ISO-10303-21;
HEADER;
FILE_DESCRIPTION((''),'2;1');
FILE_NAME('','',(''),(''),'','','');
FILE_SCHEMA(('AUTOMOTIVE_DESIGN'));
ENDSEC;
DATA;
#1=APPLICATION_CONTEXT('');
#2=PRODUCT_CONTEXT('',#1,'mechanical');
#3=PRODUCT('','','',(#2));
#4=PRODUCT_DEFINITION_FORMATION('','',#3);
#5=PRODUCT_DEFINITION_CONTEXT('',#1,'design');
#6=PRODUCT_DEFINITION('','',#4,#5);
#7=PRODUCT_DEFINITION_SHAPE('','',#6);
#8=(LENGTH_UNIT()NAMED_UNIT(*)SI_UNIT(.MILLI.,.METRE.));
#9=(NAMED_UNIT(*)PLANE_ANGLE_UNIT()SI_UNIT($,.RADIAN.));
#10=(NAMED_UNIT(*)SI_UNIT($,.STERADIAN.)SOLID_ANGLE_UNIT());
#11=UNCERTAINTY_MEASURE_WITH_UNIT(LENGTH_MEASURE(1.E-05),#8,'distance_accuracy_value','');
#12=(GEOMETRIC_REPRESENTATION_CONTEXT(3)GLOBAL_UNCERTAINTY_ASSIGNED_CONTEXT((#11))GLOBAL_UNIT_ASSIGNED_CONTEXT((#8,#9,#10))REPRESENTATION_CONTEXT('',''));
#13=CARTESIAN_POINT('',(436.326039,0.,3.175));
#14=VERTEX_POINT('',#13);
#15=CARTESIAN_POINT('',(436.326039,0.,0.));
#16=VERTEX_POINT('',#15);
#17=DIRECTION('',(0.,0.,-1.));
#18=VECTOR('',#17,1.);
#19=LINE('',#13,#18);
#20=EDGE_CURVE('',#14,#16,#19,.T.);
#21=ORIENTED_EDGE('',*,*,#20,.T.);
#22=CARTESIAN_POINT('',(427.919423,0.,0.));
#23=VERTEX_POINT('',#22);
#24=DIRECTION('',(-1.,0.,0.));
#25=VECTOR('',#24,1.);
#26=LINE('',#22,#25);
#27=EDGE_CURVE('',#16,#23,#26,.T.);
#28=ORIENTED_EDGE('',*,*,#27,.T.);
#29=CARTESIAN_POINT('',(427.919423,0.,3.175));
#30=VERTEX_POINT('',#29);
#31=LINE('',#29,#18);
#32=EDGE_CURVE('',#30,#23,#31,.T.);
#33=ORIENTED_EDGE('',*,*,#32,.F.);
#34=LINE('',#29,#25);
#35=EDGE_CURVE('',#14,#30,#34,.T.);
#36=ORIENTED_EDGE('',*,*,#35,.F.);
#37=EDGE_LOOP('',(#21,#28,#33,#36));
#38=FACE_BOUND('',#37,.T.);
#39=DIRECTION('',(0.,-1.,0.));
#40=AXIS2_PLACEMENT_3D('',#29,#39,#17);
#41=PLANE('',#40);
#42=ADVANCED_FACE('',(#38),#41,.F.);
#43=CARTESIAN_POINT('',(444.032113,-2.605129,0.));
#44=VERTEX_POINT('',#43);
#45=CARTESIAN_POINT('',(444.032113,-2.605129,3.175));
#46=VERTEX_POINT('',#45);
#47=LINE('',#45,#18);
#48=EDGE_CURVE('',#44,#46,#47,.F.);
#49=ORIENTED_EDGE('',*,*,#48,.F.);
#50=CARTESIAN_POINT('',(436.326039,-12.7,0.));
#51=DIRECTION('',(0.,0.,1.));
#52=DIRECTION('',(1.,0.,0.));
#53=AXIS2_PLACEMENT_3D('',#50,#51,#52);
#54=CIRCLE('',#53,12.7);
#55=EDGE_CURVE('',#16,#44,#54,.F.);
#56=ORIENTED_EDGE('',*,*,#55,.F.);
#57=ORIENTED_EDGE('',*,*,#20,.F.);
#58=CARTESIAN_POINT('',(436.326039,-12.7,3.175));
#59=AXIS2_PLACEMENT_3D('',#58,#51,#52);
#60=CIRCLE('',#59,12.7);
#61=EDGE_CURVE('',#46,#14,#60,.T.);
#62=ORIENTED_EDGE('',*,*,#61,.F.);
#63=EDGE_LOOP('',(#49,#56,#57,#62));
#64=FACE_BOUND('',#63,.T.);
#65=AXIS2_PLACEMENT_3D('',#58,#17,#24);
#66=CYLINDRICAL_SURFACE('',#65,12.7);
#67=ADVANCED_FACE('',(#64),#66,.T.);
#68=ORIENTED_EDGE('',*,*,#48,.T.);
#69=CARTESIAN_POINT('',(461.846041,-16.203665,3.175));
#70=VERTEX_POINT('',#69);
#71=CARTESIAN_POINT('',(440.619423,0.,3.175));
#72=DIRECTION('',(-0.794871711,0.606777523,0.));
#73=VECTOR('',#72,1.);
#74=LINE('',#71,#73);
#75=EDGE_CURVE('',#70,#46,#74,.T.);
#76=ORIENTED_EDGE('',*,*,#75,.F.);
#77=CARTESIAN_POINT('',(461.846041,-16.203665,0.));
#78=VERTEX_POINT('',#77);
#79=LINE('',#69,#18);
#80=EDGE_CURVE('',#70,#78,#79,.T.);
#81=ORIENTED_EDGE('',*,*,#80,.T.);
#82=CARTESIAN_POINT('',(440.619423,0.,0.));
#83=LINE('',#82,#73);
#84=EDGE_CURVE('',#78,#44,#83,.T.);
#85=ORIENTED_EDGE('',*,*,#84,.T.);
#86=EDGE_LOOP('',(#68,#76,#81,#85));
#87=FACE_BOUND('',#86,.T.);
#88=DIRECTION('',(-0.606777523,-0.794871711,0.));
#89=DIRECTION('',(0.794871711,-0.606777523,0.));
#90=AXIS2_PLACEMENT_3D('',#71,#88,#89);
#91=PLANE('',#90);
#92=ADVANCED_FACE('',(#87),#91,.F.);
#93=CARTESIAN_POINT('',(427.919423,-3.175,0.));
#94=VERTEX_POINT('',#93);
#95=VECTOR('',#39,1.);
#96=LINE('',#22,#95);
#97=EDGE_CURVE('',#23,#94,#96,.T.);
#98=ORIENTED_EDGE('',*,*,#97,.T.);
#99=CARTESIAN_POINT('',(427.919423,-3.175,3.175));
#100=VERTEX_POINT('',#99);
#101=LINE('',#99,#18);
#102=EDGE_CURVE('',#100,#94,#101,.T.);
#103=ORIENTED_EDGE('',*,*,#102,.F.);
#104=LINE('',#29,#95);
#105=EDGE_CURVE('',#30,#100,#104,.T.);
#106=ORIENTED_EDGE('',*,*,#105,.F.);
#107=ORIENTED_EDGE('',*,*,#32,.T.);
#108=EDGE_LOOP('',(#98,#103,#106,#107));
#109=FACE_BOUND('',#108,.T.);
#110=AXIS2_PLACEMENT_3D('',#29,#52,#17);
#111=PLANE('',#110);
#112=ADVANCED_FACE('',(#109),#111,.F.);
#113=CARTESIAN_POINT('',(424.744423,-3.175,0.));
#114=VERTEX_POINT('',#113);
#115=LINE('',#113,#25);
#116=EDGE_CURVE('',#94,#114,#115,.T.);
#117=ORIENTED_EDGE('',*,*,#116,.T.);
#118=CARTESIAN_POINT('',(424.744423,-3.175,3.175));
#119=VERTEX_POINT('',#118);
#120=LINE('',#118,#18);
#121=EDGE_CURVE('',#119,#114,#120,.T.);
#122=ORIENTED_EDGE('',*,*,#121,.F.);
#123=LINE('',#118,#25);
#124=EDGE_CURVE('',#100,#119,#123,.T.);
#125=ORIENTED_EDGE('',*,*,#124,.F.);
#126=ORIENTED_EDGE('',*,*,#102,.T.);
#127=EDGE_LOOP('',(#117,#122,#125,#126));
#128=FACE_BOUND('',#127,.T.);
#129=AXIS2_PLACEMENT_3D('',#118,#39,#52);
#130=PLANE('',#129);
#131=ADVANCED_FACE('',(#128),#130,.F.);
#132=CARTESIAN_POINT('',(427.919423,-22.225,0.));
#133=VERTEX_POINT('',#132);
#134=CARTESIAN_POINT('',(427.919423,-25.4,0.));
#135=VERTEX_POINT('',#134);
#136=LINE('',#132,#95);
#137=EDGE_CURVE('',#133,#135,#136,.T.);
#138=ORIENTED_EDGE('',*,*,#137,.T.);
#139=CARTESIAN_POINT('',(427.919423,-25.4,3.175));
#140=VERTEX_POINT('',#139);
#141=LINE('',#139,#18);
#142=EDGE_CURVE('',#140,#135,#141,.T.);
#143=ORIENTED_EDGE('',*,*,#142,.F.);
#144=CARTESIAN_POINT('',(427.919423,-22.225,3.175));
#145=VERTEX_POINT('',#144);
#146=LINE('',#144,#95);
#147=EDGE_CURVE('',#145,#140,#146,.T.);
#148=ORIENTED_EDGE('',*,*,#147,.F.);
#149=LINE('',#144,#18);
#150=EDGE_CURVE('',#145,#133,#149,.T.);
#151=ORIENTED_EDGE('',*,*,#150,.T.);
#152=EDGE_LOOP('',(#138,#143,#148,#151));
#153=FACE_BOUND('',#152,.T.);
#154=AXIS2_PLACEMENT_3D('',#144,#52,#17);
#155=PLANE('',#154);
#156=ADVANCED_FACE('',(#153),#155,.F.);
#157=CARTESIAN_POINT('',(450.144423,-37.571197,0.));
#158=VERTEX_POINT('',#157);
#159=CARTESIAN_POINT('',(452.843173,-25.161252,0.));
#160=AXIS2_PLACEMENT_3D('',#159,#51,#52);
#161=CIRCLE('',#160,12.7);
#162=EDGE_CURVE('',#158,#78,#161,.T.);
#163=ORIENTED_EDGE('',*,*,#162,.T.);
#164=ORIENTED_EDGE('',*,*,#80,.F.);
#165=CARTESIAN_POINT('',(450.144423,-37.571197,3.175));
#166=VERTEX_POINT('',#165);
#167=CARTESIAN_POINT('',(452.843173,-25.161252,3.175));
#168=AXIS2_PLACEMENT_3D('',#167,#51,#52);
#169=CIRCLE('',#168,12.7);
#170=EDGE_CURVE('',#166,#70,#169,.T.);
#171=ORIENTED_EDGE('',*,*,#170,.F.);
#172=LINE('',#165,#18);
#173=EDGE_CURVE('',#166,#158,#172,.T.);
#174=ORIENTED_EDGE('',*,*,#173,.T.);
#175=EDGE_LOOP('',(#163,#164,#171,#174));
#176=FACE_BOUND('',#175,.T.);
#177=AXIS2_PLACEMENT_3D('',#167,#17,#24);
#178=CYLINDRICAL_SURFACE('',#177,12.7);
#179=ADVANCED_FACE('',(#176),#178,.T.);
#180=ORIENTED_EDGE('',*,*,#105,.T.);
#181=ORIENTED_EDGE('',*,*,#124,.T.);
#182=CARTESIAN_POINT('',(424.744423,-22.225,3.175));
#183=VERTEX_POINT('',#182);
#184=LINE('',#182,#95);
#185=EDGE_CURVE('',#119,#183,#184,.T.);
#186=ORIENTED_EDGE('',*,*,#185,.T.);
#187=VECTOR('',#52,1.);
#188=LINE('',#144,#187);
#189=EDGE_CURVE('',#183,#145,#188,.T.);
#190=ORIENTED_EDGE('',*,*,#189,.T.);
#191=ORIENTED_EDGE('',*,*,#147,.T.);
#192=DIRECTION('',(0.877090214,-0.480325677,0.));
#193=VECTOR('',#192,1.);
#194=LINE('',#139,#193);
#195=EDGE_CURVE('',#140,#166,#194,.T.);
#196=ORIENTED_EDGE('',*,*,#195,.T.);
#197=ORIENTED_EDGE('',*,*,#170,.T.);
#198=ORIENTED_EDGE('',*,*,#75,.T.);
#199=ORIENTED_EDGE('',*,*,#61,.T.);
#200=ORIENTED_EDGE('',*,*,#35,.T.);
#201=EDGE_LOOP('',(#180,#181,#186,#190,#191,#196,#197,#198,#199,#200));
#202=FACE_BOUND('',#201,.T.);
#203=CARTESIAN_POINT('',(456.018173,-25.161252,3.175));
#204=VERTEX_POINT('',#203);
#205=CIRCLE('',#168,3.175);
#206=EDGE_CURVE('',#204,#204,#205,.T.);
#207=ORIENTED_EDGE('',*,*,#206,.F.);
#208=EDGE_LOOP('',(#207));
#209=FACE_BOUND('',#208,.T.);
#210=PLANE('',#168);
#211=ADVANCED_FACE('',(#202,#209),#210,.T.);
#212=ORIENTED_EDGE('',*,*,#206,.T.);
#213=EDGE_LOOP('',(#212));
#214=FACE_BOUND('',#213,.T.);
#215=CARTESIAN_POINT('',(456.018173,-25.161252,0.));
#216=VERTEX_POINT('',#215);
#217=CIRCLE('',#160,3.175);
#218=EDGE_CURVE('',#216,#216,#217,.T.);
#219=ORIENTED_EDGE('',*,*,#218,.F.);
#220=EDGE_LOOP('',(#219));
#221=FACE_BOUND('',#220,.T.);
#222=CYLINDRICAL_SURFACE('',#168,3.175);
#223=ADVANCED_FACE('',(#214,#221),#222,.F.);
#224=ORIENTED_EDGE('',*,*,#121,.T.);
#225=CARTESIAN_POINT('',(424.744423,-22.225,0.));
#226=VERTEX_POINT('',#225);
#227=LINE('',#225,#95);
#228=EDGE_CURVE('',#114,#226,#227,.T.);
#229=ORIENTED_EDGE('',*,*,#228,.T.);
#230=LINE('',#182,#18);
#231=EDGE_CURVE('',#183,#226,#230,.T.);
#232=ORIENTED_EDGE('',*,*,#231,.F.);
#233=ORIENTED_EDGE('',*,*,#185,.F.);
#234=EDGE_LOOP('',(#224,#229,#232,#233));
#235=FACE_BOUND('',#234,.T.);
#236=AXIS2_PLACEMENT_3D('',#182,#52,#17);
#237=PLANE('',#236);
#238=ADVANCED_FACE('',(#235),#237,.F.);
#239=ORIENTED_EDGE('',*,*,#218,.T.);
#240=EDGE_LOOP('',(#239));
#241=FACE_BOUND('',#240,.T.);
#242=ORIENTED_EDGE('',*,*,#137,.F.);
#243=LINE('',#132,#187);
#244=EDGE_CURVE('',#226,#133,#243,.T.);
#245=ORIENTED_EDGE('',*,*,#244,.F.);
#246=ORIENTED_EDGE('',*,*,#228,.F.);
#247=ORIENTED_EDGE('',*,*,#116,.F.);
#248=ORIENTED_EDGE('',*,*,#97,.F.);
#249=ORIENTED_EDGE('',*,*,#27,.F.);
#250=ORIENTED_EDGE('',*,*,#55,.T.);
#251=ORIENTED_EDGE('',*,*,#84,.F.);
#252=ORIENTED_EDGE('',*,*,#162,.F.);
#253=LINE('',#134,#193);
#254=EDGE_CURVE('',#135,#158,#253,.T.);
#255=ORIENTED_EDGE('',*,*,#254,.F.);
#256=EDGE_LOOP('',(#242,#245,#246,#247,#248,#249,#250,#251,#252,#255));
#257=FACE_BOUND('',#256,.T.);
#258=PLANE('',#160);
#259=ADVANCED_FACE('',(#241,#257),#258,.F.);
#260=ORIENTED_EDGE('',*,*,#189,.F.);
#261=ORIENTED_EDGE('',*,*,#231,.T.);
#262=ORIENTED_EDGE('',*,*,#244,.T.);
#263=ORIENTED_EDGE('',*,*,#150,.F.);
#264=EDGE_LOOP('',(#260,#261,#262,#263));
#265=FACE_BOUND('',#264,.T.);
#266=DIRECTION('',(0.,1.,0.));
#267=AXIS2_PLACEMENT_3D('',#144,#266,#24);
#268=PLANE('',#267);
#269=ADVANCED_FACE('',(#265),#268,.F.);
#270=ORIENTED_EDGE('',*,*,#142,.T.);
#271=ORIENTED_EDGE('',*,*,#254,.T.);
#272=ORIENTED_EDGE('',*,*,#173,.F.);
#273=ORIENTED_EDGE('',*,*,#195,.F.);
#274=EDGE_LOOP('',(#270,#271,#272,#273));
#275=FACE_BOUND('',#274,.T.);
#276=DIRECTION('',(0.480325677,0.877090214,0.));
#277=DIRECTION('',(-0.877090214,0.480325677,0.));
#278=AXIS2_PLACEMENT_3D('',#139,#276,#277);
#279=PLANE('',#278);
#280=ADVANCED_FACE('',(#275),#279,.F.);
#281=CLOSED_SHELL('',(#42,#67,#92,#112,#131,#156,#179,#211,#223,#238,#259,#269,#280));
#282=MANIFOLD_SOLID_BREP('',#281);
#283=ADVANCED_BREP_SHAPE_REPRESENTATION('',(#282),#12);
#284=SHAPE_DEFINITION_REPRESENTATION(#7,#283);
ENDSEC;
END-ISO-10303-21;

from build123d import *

# Parameters (mm, degrees)
BOSS_EXTRUDE1_DEPTH             = 3.175
F_1_4_0_25_DIAMETER_HOLE1_D     = 6.35
F_1_4_0_25_DIAMETER_HOLE1_DEPTH = 9.268267535
F_1_4_0_25_DIAMETER_HOLE1_TIP   = 1.907732465
FILLET1_R                       = 12.7


with BuildPart() as part:
    # Sketch1 → Boss-Extrude1 (new body)
    with BuildSketch(Plane.XY):
        with BuildLine():
            Line((427.919423357, 0), (440.619423357, 0))
            Line((440.619423357, 0), (461.846041333, -16.2036647))
            ThreePointArc((461.846041333, -16.2036647), (463.98221908, -31.261387982), (450.144423357, -37.571197432))
            Line((450.144423357, -37.571197432), (427.919423357, -25.4))
            Line((427.919423357, -25.4), (427.919423357, -22.225))
            Line((427.919423357, -22.225), (424.744423357, -22.225))
            Line((424.744423357, -22.225), (424.744423357, -3.175))
            Line((424.744423357, -3.175), (427.919423357, -3.175))
            Line((427.919423357, -3.175), (427.919423357, 0))
        make_face()
    extrude(amount=BOSS_EXTRUDE1_DEPTH)

    # 1/4 (0.25) Diameter Hole1
    with Locations(Plane.XY.offset(3.175)):
        with Locations((452.843173357, -25.161251887)):
            Hole(F_1_4_0_25_DIAMETER_HOLE1_D / 2, depth=F_1_4_0_25_DIAMETER_HOLE1_DEPTH)
            with Locations((0, 0, -(F_1_4_0_25_DIAMETER_HOLE1_DEPTH + F_1_4_0_25_DIAMETER_HOLE1_TIP / 2))):  # 118° drill point
                Cone(0, F_1_4_0_25_DIAMETER_HOLE1_D / 2, F_1_4_0_25_DIAMETER_HOLE1_TIP, mode=Mode.SUBTRACT)

    # Fillet1
    fillet1_edges = [part.edges().sort_by_distance(p)[0] for p in [
        (440.619423357, 0, 1.5875),
    ]]
    fillet(fillet1_edges, radius=FILLET1_R)


solid = part.part
